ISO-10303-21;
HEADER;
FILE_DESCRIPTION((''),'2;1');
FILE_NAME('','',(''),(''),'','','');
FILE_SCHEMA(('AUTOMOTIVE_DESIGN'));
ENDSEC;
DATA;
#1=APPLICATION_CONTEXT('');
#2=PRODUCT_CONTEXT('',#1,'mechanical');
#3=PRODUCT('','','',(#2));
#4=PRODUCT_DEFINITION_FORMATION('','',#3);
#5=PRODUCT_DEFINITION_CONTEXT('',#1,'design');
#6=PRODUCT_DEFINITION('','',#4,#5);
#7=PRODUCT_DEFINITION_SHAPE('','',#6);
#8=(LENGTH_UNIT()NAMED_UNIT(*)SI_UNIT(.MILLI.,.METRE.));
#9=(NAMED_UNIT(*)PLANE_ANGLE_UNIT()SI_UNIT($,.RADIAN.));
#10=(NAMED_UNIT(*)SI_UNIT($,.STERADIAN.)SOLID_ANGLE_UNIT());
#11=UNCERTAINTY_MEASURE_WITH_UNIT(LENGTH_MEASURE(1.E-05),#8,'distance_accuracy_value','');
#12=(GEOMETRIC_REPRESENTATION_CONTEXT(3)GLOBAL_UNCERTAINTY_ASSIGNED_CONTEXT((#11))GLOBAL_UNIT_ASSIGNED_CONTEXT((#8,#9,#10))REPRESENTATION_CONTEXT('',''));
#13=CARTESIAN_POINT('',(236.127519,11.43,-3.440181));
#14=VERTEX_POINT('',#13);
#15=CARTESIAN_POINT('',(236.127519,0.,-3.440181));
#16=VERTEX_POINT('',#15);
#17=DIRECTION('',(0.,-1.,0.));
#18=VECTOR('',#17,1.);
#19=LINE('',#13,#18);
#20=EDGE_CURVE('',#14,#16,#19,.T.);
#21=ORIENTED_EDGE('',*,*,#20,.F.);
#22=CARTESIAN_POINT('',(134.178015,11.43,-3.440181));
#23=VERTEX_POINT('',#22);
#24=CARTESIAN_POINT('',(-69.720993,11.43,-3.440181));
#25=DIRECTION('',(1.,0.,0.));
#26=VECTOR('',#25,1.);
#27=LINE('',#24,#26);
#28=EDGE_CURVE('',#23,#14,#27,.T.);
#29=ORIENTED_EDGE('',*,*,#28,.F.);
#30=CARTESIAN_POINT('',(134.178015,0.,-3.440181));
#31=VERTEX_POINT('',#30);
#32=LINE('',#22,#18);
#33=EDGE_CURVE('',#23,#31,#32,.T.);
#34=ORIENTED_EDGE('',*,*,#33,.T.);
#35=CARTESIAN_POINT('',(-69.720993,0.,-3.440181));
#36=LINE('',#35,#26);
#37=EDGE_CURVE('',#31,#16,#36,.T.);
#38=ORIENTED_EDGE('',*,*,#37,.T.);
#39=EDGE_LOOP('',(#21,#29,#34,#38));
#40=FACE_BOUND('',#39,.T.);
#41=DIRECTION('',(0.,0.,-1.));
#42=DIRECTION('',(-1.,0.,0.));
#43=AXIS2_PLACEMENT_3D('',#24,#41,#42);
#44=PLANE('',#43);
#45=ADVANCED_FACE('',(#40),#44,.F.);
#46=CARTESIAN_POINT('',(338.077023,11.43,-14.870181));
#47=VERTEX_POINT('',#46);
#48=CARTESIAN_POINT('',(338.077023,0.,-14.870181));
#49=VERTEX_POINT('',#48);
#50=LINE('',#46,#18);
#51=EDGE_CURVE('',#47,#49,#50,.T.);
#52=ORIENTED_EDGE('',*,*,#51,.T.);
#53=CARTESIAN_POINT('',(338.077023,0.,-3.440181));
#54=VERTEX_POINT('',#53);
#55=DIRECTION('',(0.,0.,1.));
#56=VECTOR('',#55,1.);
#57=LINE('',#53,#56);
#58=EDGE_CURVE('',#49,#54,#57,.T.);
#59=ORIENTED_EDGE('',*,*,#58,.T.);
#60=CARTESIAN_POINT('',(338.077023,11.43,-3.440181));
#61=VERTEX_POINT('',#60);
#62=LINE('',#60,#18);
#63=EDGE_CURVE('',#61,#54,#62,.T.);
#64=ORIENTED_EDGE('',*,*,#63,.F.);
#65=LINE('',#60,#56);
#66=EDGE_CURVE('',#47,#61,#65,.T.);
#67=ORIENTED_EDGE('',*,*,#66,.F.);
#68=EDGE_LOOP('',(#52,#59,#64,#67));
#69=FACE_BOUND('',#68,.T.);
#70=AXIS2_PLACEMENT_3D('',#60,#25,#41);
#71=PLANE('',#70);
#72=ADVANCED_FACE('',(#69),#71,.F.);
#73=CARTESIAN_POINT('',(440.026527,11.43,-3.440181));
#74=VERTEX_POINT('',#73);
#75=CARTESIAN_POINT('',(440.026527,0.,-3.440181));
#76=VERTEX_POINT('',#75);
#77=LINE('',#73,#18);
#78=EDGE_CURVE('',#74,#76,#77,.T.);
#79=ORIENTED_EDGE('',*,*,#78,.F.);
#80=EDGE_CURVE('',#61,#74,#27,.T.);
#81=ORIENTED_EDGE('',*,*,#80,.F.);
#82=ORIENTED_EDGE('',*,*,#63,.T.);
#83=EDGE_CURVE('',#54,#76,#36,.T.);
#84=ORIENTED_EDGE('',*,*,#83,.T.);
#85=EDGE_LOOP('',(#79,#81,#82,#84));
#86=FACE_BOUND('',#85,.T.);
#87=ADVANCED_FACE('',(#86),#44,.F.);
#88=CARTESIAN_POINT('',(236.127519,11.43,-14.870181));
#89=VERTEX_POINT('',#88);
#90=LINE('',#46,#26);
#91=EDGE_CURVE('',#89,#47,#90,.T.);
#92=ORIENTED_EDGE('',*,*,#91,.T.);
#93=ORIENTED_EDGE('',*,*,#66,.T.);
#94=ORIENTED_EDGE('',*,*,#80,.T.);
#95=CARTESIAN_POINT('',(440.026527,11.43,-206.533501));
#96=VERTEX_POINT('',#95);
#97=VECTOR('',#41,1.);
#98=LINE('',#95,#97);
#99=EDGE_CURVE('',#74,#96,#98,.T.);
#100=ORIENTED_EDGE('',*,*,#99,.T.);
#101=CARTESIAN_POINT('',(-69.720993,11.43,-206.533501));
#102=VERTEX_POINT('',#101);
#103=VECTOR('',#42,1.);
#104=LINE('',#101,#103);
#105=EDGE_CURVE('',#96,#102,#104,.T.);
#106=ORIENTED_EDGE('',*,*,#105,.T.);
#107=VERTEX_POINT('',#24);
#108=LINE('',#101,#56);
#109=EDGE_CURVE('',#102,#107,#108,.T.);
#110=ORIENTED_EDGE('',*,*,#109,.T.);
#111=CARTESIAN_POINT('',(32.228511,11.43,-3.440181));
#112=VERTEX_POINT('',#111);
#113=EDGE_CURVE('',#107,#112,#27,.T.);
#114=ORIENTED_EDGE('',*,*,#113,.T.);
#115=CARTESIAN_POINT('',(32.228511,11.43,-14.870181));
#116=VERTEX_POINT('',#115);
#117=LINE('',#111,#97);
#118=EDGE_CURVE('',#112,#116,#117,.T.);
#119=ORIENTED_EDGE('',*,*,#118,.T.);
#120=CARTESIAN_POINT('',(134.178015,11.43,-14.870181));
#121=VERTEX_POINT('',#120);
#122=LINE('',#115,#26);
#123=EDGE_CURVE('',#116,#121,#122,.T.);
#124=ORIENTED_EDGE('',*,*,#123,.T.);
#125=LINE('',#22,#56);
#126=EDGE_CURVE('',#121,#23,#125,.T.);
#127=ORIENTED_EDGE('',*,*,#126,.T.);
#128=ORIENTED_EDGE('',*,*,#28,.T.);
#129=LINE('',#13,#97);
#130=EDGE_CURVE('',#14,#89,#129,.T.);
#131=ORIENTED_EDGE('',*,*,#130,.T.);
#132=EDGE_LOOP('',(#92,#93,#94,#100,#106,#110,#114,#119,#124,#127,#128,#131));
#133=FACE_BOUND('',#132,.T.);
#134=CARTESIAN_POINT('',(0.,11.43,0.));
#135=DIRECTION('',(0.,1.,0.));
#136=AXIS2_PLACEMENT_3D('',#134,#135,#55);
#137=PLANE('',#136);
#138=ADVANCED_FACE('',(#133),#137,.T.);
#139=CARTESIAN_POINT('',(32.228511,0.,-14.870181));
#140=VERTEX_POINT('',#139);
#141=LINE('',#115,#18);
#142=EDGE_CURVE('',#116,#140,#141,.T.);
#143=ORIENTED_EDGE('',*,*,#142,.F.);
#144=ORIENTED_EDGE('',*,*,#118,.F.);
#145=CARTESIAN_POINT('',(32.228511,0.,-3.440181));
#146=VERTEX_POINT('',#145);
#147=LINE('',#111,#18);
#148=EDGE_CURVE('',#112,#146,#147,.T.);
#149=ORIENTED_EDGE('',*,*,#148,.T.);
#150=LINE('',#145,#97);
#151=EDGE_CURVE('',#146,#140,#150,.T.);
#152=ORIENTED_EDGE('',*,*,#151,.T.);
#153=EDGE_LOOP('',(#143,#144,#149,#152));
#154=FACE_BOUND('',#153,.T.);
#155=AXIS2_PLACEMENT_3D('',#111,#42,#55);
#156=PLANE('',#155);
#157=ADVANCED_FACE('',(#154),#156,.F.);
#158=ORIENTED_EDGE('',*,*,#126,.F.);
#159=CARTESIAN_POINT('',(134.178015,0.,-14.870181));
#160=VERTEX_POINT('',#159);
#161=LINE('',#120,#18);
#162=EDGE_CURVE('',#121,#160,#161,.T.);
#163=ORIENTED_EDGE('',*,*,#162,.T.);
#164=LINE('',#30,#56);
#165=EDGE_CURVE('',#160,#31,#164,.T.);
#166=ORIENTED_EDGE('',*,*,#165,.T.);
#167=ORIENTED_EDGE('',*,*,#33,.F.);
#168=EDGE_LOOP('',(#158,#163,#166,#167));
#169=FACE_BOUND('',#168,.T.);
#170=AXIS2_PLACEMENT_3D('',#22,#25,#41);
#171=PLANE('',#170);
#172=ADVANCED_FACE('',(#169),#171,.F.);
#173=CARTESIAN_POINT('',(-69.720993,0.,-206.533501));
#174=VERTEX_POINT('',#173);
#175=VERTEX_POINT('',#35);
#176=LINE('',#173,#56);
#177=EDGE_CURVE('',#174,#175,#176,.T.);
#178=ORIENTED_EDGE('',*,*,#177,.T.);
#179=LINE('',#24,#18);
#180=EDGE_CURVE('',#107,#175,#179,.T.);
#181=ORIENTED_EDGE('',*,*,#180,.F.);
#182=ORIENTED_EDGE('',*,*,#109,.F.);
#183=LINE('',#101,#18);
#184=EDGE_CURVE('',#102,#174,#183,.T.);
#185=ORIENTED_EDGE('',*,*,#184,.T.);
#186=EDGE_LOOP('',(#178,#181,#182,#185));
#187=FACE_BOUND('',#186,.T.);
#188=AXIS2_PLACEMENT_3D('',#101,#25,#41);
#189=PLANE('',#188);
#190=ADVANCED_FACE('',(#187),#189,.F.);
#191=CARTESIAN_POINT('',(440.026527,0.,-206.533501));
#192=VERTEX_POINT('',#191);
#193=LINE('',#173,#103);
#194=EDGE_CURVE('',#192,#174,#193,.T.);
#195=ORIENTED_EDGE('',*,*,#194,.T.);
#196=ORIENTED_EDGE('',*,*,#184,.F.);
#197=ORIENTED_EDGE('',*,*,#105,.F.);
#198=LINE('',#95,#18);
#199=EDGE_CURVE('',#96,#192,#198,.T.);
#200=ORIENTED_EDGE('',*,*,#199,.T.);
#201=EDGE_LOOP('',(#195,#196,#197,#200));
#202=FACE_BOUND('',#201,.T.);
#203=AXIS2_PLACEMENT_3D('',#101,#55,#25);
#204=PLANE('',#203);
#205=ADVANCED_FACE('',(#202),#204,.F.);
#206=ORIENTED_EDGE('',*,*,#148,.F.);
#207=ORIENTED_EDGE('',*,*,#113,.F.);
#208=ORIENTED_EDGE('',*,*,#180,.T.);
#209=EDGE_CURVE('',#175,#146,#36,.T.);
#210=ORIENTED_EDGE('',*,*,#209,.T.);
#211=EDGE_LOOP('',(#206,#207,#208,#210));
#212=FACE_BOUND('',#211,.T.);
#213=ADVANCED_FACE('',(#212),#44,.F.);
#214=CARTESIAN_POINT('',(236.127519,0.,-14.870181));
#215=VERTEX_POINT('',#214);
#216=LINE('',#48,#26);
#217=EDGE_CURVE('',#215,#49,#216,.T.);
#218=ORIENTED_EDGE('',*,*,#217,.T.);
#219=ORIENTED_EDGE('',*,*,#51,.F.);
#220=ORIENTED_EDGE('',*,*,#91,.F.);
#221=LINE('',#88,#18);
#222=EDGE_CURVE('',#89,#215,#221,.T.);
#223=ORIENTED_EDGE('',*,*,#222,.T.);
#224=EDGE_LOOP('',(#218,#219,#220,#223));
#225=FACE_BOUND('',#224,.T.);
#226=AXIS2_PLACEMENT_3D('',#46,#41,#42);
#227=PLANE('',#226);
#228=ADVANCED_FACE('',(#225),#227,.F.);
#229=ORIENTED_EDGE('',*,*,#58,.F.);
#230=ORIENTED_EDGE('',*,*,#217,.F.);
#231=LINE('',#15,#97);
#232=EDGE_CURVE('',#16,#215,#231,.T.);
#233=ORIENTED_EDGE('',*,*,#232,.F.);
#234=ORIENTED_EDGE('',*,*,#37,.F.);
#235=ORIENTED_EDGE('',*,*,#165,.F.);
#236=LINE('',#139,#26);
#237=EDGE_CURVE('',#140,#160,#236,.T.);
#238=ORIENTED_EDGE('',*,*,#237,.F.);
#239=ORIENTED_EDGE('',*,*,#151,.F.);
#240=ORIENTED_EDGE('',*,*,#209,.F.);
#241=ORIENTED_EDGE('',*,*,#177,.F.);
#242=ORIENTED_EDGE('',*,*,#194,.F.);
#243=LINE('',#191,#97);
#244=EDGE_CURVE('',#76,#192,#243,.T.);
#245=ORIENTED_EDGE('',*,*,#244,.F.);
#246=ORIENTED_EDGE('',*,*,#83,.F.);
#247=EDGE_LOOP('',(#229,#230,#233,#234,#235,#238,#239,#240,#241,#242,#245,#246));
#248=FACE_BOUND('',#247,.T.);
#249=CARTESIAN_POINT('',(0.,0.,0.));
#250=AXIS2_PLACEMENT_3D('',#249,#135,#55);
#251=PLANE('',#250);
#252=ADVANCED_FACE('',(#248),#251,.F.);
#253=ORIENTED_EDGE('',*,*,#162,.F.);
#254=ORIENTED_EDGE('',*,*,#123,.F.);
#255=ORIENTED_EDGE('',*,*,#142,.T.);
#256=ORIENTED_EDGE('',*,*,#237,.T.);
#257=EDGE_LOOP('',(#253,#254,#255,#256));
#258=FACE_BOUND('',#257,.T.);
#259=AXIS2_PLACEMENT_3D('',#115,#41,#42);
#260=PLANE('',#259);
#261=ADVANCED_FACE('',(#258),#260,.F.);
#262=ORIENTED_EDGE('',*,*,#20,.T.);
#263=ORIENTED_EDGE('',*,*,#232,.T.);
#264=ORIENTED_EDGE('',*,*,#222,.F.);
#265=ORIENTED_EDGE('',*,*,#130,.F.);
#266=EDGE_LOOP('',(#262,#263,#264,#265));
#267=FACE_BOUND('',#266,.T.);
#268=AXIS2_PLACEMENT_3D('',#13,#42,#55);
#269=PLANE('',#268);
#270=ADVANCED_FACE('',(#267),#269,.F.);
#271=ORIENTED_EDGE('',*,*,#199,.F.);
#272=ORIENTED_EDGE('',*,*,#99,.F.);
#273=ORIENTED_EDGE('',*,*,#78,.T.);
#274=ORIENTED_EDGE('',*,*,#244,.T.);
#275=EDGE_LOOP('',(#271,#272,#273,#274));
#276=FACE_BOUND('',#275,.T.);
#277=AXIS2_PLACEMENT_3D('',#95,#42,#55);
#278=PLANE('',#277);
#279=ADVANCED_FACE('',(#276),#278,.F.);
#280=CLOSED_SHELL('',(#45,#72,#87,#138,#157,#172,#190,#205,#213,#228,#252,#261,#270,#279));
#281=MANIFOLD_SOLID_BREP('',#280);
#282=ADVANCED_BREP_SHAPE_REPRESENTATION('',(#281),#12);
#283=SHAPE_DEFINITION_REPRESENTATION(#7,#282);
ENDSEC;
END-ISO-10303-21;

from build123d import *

# Parameters (mm, degrees)
SKETCH1_W           = 509.74752
SKETCH1_H           = 203.09332
BOSS_EXTRUDE1_DEPTH = 11.43
SKETCH2_W           = 101.949504
SKETCH2_H           = 11.43
CUT_EXTRUDE1_DEPTH  = 487.220192945


with BuildPart() as part:
    # Sketch1 → Boss-Extrude1 (new body)
    with BuildSketch(Plane(origin=(0, 0, 0), x_dir=(1, 0, 0), z_dir=(0, 1, 0))):
        with Locations((185.152766772, 104.986840587)):
            Rectangle(SKETCH1_W, SKETCH1_H)
    extrude(amount=BOSS_EXTRUDE1_DEPTH)

    # Sketch2 → Cut-Extrude1 (cut, through all)
    with BuildSketch(Plane.XZ):
        with Locations((287.102270772, -9.155180587)):
            Rectangle(SKETCH2_W, SKETCH2_H)
        with Locations((83.203262772, -9.155180587)):
            Rectangle(SKETCH2_W, SKETCH2_H)
    extrude(amount=-CUT_EXTRUDE1_DEPTH, mode=Mode.SUBTRACT)


solid = part.part
